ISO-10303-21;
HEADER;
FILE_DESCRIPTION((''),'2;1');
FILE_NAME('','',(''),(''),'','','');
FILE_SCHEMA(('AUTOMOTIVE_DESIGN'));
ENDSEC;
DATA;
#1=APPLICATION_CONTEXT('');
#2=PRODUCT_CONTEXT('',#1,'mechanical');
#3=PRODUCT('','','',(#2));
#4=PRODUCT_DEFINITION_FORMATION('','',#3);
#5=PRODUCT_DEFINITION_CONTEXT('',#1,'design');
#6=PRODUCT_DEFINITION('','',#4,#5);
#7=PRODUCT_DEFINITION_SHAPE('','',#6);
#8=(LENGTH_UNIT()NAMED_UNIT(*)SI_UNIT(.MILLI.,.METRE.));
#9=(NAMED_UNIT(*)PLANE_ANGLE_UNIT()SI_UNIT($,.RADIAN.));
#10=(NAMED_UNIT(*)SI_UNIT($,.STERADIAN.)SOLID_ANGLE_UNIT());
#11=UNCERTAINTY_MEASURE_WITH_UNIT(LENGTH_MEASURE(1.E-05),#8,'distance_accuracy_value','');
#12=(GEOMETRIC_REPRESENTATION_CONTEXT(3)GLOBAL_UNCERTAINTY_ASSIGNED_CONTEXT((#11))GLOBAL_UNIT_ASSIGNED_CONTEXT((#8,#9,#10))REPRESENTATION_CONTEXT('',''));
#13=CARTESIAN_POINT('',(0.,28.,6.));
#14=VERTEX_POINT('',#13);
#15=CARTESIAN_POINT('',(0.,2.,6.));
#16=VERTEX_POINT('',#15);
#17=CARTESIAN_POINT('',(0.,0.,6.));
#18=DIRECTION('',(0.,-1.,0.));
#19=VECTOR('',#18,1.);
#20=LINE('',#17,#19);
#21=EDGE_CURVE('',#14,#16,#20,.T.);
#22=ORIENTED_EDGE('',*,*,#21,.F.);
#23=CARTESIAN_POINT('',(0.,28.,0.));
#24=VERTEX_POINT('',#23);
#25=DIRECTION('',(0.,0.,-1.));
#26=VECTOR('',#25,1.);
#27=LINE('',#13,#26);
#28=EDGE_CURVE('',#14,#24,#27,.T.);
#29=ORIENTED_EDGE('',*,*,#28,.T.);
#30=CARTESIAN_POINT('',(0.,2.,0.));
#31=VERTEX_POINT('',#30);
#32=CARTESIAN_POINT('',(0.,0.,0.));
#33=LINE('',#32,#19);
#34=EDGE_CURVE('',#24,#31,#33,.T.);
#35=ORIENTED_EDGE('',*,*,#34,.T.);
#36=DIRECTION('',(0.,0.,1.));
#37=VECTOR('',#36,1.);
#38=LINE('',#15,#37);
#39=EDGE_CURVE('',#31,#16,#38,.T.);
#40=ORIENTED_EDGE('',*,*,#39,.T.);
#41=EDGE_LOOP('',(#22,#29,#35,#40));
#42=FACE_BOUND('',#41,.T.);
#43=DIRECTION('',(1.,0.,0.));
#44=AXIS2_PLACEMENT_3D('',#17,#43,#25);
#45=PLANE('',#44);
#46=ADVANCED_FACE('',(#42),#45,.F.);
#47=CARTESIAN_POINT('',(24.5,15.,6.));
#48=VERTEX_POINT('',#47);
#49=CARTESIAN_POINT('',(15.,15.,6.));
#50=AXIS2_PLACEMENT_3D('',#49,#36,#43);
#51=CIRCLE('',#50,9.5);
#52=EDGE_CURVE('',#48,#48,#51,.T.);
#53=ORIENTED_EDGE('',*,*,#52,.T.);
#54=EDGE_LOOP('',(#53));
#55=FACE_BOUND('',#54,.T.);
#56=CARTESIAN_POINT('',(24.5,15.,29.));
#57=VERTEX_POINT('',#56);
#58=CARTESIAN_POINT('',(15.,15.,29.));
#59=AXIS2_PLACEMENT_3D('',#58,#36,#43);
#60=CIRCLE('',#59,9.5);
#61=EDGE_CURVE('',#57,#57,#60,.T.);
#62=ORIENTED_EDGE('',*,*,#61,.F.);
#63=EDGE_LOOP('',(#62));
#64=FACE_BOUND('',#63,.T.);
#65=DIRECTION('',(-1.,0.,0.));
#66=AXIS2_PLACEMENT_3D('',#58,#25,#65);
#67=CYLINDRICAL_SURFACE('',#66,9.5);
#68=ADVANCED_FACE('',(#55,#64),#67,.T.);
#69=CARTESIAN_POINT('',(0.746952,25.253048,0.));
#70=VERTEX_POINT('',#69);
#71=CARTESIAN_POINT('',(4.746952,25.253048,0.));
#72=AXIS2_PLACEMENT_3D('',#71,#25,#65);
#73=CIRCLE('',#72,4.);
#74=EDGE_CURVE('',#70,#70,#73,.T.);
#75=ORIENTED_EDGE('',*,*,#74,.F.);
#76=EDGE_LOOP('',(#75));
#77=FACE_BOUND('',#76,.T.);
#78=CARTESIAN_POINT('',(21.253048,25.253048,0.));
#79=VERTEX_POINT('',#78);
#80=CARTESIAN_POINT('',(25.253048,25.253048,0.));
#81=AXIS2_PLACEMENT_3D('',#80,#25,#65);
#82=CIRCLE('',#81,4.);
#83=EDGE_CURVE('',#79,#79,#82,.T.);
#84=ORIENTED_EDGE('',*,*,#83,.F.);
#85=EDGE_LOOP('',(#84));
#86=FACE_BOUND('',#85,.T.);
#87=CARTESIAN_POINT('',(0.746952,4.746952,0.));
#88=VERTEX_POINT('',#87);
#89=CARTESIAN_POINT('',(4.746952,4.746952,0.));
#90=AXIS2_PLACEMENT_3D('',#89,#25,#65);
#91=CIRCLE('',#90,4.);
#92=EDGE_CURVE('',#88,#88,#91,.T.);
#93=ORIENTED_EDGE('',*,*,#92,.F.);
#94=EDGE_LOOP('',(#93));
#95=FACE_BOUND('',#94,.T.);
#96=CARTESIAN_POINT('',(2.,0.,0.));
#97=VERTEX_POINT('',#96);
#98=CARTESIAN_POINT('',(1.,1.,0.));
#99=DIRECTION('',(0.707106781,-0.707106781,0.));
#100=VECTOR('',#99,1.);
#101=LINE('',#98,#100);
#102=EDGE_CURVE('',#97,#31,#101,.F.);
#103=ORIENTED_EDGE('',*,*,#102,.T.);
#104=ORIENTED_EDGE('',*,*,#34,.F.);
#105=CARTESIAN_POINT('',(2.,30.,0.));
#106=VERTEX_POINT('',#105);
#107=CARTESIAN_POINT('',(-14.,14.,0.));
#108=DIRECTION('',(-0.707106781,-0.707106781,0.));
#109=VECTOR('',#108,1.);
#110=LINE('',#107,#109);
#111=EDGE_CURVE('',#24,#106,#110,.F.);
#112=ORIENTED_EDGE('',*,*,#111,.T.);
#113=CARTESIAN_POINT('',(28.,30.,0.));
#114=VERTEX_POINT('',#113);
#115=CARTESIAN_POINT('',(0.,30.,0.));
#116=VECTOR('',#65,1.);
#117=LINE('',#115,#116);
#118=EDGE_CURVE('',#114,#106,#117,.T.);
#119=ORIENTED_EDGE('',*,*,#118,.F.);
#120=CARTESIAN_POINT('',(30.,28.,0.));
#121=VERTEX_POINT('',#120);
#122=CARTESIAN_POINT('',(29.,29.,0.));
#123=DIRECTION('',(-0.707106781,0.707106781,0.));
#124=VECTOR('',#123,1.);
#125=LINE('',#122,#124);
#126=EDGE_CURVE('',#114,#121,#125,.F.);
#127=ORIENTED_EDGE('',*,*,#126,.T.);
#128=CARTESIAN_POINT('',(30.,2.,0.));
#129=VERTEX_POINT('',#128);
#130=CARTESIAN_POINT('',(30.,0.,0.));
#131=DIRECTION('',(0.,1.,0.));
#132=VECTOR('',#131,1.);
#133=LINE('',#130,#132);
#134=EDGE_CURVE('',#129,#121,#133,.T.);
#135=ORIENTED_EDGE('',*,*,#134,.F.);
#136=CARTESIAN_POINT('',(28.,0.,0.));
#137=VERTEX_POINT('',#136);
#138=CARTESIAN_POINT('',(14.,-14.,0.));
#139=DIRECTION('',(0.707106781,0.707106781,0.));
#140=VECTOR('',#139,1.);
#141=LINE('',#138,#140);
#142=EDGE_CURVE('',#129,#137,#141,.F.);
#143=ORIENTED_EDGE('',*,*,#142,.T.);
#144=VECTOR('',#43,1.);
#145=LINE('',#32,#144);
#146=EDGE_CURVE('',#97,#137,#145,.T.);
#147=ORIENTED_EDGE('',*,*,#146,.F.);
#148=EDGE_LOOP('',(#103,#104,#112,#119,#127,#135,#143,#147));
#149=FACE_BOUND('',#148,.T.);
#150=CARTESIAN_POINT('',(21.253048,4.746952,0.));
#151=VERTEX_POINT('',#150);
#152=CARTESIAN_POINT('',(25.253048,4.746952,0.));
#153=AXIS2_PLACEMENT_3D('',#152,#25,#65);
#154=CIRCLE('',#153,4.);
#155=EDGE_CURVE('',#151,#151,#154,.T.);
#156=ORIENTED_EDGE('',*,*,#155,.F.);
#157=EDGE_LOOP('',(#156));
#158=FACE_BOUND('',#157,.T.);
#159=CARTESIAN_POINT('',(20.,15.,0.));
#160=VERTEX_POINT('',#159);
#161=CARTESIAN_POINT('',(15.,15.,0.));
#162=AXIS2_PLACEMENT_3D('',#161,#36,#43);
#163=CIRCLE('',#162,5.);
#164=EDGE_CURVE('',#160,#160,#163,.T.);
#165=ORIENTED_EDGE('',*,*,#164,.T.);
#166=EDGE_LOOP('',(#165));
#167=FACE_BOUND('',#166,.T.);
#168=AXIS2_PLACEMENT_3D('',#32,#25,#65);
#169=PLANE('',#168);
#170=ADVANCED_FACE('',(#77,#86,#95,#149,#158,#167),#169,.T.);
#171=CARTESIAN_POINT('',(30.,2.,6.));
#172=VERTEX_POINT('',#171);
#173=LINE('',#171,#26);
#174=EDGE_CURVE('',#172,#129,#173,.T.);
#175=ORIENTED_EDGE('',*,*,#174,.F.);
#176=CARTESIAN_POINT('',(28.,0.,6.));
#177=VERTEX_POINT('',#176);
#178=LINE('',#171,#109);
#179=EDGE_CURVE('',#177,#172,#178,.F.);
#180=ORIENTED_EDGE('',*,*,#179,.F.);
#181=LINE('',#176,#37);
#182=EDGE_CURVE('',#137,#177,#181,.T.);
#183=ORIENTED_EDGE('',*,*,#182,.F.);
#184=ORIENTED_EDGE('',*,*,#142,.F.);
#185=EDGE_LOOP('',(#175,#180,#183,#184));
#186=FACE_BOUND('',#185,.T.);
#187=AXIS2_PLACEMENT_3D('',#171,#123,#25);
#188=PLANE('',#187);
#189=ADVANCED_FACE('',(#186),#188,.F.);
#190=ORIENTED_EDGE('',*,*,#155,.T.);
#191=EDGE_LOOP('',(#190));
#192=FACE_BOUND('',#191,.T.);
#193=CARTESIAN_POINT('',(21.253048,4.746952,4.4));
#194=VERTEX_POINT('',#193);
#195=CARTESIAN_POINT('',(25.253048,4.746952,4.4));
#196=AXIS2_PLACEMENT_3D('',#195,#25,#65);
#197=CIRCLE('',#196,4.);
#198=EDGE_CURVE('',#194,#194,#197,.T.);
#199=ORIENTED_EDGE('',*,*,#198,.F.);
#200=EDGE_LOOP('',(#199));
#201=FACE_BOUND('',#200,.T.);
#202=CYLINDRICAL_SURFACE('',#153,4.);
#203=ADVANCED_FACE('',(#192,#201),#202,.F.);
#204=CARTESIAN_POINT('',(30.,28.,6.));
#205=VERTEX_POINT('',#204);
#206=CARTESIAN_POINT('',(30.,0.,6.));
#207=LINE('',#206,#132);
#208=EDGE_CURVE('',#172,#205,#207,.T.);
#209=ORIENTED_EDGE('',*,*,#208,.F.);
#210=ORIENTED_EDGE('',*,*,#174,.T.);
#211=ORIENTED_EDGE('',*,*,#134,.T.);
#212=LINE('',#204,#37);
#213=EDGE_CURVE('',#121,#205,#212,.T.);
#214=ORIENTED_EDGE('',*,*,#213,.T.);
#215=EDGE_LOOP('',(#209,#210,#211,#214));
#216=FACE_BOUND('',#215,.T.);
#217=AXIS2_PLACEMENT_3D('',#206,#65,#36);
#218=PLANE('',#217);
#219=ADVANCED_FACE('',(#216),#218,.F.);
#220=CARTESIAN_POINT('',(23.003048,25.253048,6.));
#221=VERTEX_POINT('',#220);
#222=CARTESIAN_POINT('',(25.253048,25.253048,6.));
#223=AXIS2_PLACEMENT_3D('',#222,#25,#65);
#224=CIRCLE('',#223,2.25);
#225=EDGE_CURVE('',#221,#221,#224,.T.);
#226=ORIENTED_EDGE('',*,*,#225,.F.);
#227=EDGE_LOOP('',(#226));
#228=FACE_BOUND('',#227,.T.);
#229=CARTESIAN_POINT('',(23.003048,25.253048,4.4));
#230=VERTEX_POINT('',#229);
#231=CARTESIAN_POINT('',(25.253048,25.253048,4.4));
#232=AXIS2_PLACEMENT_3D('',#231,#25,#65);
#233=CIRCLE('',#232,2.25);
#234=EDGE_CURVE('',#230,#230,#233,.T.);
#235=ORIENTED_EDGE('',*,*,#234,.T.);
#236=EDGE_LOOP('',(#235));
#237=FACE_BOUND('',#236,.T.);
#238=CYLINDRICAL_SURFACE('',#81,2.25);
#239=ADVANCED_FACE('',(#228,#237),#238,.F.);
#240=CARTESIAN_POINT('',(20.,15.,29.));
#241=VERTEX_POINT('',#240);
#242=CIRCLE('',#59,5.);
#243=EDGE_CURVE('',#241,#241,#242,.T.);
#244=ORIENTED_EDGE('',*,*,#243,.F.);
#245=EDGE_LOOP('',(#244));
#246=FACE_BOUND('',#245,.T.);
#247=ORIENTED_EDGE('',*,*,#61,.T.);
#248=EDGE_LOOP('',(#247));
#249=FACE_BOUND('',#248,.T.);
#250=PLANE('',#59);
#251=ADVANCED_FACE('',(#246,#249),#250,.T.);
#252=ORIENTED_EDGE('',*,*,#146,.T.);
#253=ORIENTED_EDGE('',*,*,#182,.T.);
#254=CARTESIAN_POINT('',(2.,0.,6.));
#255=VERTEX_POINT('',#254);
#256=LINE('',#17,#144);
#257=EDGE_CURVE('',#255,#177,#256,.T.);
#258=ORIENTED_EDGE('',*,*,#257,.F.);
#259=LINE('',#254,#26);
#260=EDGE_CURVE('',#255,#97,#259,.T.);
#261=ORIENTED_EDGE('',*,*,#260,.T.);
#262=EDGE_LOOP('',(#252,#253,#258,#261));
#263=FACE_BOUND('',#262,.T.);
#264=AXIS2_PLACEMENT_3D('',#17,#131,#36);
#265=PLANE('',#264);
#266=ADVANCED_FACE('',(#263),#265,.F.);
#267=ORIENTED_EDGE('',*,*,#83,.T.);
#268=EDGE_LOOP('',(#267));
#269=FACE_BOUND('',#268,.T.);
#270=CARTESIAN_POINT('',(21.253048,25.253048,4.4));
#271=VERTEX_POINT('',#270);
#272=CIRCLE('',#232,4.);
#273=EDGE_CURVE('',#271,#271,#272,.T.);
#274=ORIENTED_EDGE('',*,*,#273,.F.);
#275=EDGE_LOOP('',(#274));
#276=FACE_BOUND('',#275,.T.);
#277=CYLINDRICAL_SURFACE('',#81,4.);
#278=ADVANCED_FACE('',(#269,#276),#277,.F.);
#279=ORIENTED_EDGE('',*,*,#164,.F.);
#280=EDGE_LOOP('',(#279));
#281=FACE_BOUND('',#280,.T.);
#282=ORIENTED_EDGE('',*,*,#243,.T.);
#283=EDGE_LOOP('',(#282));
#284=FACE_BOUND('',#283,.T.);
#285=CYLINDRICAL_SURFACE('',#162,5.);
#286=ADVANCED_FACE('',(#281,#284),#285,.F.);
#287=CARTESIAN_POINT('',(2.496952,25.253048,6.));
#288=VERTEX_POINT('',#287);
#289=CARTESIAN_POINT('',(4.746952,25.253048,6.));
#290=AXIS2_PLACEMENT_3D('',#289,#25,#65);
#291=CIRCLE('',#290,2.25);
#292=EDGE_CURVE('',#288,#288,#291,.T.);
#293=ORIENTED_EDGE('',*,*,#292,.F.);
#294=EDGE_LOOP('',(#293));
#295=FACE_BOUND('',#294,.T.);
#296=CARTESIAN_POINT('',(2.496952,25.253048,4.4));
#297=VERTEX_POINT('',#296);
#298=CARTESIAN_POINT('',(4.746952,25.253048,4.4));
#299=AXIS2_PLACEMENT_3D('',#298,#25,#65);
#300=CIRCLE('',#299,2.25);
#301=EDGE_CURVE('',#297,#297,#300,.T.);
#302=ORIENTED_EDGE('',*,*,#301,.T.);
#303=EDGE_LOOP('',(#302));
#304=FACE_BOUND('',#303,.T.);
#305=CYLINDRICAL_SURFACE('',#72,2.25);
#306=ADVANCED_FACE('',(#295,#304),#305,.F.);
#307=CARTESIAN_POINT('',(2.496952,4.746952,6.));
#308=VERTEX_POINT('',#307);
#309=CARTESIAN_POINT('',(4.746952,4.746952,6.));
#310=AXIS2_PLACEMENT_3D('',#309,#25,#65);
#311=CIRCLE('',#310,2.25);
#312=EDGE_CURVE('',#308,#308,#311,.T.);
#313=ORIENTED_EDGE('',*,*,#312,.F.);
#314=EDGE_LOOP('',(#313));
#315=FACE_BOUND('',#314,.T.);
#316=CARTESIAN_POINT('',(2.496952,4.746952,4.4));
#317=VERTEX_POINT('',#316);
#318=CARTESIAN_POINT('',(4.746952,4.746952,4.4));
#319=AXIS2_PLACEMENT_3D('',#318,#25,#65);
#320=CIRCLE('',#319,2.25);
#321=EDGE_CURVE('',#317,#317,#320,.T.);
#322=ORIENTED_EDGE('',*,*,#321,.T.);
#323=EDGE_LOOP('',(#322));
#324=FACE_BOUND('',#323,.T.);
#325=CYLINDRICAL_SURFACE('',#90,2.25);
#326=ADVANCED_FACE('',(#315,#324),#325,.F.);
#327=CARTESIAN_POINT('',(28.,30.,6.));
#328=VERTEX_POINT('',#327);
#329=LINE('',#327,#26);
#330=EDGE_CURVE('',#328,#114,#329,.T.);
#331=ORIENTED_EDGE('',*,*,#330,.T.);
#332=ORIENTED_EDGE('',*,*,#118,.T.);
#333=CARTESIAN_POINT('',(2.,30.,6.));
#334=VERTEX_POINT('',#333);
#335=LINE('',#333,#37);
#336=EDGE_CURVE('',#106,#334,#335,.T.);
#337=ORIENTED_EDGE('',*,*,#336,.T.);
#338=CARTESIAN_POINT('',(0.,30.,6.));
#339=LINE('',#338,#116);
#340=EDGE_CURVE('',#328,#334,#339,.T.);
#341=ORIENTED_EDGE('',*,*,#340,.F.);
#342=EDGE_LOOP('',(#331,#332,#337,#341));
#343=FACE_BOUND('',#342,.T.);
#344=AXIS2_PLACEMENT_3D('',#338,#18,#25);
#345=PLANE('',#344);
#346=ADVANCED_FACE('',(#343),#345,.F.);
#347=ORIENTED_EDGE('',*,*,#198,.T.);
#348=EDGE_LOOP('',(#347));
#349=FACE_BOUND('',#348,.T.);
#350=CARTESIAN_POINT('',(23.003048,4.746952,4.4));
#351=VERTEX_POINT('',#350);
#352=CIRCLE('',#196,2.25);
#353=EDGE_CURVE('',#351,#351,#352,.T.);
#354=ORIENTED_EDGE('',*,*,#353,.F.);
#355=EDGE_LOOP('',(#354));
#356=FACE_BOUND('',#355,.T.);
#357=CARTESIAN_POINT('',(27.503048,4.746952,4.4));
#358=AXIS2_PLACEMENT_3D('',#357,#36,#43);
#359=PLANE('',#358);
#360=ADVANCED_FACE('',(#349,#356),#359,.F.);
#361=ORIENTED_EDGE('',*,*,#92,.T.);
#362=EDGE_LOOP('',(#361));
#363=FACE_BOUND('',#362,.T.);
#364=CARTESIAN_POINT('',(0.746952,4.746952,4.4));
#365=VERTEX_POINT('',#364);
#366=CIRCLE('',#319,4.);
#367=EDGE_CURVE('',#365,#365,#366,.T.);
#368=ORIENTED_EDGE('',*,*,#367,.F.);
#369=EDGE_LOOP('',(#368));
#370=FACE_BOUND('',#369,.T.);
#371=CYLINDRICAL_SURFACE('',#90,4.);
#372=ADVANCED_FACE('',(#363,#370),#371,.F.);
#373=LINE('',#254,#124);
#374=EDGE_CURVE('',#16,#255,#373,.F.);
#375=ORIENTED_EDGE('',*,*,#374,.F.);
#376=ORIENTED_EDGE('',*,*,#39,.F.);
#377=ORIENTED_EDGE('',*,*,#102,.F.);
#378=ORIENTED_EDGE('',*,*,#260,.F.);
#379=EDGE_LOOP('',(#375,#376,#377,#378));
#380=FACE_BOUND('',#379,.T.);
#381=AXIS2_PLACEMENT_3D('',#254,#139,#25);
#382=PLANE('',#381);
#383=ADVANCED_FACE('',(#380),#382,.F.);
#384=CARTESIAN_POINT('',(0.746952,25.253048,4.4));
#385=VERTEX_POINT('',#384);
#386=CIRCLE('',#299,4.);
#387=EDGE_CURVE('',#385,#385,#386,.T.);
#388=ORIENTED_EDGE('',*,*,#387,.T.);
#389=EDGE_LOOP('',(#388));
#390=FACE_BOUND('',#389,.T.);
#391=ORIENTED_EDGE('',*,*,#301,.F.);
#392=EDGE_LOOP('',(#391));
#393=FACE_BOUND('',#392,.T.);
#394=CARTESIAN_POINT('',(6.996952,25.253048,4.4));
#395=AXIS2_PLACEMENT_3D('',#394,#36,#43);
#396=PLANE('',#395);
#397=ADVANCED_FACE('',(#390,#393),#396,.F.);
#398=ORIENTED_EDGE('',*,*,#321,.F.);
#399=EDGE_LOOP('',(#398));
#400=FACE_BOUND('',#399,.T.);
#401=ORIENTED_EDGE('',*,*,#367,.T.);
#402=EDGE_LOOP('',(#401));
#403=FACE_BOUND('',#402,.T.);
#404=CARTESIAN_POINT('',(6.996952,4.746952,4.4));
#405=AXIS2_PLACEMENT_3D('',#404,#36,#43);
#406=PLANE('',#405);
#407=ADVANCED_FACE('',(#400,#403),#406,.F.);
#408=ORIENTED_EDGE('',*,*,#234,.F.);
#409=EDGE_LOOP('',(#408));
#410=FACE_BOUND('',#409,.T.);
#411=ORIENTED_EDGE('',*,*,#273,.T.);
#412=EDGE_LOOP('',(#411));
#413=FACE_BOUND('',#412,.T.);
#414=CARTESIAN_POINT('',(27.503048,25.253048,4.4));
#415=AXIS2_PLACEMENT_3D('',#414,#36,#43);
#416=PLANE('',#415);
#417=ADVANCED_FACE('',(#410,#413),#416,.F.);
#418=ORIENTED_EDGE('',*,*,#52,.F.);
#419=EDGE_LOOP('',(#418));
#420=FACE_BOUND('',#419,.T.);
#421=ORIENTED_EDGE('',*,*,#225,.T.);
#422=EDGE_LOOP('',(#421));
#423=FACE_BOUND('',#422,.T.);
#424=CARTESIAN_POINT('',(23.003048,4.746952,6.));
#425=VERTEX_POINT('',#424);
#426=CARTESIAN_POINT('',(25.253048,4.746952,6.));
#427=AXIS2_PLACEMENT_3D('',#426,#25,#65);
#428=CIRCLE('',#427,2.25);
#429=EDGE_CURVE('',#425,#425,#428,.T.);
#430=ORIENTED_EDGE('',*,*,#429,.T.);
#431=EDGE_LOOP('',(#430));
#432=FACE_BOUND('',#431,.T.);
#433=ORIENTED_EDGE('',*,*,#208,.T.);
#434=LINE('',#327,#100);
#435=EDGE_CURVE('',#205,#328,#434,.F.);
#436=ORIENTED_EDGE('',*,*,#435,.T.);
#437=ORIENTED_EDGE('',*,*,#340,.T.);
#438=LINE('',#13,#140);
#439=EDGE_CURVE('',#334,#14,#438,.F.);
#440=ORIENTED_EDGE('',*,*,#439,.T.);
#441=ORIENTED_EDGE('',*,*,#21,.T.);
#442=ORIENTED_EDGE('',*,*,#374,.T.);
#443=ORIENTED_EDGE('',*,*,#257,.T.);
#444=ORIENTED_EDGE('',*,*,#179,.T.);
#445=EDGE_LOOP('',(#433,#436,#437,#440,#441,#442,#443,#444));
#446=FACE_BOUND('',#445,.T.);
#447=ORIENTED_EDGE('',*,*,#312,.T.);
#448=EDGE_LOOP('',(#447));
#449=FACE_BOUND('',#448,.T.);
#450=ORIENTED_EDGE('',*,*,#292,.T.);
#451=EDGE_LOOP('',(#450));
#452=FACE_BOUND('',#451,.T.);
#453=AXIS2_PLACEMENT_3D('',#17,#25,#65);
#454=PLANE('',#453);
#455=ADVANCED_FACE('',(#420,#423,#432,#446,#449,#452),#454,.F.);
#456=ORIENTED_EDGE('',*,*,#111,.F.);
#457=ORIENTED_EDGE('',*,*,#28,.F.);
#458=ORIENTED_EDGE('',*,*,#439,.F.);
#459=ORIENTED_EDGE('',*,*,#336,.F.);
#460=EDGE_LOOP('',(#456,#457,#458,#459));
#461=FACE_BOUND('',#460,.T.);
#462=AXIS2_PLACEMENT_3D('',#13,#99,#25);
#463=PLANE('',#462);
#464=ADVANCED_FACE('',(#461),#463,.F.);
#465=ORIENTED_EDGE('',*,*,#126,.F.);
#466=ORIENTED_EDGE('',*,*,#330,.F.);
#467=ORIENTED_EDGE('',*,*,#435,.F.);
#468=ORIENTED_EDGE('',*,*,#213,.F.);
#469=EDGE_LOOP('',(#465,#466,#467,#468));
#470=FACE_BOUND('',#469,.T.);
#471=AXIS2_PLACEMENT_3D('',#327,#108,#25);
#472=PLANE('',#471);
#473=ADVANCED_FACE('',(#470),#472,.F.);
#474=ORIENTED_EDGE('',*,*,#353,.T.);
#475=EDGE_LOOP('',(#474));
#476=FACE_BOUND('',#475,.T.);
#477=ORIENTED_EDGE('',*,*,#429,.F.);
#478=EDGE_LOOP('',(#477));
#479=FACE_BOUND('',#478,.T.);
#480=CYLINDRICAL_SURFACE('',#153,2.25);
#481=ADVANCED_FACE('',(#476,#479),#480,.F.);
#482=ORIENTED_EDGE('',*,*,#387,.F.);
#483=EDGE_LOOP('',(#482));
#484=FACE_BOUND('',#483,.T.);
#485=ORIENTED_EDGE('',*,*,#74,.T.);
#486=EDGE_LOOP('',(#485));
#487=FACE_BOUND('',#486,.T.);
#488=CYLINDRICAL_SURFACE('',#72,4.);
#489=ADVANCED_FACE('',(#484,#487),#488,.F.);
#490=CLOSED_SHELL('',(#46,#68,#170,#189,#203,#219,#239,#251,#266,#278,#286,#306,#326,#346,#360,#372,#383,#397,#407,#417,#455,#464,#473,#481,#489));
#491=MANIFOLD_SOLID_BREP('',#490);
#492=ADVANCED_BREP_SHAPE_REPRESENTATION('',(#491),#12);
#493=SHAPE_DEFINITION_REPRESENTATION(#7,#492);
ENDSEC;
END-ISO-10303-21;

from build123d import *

# Parameters (mm, degrees)
SKETCH1_W                               = 30
SKETCH1_H                               = 30
BOSS_EXTRUDE1_DEPTH                     = 6
SKETCH2_R                               = 9.5
BOSS_EXTRUDE2_DEPTH                     = 23
SKETCH3_R                               = 5
CUT_EXTRUDE1_DEPTH                      = 52.39066063
CBORE_FOR_M5_HEX_HEAD_BOLT1_D           = 4.5
CBORE_FOR_M5_HEX_HEAD_BOLT1_CBORE_D     = 8
CBORE_FOR_M5_HEX_HEAD_BOLT1_CBORE_DEPTH = 4.4
CHAMFER1_SIZE                           = 2


with BuildPart() as part:
    # Sketch1 → Boss-Extrude1 (new body)
    with BuildSketch(Plane.XY):
        with Locations((15, 15)):
            Rectangle(SKETCH1_W, SKETCH1_H)
    extrude(amount=BOSS_EXTRUDE1_DEPTH)

    # Sketch2 → Boss-Extrude2 (add)
    with BuildSketch(Plane.XY.offset(6)):
        with Locations((15, 15)):
            Circle(SKETCH2_R)
    extrude(amount=BOSS_EXTRUDE2_DEPTH)

    # Sketch3 → Cut-Extrude1 (cut, through all)
    with BuildSketch(Plane.XY.offset(29)):
        with Locations((15, 15)):
            Circle(SKETCH3_R)
    extrude(amount=-CUT_EXTRUDE1_DEPTH, mode=Mode.SUBTRACT)

    # CBORE for M5 Hex Head Bolt1 (through all)
    with Locations(Plane(origin=(0, 0, 0), x_dir=(-1, 0, 0), z_dir=(0, 0, -1))):
        with Locations((-25.253048327, 25.253048327), (-4.746951673, 25.253048327), (-4.746951673, 4.746951673), (-25.253048327, 4.746951673)):
            CounterBoreHole(CBORE_FOR_M5_HEX_HEAD_BOLT1_D / 2, CBORE_FOR_M5_HEX_HEAD_BOLT1_CBORE_D / 2, CBORE_FOR_M5_HEX_HEAD_BOLT1_CBORE_DEPTH)

    # Chamfer1
    chamfer1_edges = [part.edges().sort_by_distance(p)[0] for p in [
        (0, 30, 3),
        (30, 30, 3),
        (30, 0, 3),
        (0, 0, 3),
    ]]
    chamfer(chamfer1_edges, length=CHAMFER1_SIZE)


solid = part.part
